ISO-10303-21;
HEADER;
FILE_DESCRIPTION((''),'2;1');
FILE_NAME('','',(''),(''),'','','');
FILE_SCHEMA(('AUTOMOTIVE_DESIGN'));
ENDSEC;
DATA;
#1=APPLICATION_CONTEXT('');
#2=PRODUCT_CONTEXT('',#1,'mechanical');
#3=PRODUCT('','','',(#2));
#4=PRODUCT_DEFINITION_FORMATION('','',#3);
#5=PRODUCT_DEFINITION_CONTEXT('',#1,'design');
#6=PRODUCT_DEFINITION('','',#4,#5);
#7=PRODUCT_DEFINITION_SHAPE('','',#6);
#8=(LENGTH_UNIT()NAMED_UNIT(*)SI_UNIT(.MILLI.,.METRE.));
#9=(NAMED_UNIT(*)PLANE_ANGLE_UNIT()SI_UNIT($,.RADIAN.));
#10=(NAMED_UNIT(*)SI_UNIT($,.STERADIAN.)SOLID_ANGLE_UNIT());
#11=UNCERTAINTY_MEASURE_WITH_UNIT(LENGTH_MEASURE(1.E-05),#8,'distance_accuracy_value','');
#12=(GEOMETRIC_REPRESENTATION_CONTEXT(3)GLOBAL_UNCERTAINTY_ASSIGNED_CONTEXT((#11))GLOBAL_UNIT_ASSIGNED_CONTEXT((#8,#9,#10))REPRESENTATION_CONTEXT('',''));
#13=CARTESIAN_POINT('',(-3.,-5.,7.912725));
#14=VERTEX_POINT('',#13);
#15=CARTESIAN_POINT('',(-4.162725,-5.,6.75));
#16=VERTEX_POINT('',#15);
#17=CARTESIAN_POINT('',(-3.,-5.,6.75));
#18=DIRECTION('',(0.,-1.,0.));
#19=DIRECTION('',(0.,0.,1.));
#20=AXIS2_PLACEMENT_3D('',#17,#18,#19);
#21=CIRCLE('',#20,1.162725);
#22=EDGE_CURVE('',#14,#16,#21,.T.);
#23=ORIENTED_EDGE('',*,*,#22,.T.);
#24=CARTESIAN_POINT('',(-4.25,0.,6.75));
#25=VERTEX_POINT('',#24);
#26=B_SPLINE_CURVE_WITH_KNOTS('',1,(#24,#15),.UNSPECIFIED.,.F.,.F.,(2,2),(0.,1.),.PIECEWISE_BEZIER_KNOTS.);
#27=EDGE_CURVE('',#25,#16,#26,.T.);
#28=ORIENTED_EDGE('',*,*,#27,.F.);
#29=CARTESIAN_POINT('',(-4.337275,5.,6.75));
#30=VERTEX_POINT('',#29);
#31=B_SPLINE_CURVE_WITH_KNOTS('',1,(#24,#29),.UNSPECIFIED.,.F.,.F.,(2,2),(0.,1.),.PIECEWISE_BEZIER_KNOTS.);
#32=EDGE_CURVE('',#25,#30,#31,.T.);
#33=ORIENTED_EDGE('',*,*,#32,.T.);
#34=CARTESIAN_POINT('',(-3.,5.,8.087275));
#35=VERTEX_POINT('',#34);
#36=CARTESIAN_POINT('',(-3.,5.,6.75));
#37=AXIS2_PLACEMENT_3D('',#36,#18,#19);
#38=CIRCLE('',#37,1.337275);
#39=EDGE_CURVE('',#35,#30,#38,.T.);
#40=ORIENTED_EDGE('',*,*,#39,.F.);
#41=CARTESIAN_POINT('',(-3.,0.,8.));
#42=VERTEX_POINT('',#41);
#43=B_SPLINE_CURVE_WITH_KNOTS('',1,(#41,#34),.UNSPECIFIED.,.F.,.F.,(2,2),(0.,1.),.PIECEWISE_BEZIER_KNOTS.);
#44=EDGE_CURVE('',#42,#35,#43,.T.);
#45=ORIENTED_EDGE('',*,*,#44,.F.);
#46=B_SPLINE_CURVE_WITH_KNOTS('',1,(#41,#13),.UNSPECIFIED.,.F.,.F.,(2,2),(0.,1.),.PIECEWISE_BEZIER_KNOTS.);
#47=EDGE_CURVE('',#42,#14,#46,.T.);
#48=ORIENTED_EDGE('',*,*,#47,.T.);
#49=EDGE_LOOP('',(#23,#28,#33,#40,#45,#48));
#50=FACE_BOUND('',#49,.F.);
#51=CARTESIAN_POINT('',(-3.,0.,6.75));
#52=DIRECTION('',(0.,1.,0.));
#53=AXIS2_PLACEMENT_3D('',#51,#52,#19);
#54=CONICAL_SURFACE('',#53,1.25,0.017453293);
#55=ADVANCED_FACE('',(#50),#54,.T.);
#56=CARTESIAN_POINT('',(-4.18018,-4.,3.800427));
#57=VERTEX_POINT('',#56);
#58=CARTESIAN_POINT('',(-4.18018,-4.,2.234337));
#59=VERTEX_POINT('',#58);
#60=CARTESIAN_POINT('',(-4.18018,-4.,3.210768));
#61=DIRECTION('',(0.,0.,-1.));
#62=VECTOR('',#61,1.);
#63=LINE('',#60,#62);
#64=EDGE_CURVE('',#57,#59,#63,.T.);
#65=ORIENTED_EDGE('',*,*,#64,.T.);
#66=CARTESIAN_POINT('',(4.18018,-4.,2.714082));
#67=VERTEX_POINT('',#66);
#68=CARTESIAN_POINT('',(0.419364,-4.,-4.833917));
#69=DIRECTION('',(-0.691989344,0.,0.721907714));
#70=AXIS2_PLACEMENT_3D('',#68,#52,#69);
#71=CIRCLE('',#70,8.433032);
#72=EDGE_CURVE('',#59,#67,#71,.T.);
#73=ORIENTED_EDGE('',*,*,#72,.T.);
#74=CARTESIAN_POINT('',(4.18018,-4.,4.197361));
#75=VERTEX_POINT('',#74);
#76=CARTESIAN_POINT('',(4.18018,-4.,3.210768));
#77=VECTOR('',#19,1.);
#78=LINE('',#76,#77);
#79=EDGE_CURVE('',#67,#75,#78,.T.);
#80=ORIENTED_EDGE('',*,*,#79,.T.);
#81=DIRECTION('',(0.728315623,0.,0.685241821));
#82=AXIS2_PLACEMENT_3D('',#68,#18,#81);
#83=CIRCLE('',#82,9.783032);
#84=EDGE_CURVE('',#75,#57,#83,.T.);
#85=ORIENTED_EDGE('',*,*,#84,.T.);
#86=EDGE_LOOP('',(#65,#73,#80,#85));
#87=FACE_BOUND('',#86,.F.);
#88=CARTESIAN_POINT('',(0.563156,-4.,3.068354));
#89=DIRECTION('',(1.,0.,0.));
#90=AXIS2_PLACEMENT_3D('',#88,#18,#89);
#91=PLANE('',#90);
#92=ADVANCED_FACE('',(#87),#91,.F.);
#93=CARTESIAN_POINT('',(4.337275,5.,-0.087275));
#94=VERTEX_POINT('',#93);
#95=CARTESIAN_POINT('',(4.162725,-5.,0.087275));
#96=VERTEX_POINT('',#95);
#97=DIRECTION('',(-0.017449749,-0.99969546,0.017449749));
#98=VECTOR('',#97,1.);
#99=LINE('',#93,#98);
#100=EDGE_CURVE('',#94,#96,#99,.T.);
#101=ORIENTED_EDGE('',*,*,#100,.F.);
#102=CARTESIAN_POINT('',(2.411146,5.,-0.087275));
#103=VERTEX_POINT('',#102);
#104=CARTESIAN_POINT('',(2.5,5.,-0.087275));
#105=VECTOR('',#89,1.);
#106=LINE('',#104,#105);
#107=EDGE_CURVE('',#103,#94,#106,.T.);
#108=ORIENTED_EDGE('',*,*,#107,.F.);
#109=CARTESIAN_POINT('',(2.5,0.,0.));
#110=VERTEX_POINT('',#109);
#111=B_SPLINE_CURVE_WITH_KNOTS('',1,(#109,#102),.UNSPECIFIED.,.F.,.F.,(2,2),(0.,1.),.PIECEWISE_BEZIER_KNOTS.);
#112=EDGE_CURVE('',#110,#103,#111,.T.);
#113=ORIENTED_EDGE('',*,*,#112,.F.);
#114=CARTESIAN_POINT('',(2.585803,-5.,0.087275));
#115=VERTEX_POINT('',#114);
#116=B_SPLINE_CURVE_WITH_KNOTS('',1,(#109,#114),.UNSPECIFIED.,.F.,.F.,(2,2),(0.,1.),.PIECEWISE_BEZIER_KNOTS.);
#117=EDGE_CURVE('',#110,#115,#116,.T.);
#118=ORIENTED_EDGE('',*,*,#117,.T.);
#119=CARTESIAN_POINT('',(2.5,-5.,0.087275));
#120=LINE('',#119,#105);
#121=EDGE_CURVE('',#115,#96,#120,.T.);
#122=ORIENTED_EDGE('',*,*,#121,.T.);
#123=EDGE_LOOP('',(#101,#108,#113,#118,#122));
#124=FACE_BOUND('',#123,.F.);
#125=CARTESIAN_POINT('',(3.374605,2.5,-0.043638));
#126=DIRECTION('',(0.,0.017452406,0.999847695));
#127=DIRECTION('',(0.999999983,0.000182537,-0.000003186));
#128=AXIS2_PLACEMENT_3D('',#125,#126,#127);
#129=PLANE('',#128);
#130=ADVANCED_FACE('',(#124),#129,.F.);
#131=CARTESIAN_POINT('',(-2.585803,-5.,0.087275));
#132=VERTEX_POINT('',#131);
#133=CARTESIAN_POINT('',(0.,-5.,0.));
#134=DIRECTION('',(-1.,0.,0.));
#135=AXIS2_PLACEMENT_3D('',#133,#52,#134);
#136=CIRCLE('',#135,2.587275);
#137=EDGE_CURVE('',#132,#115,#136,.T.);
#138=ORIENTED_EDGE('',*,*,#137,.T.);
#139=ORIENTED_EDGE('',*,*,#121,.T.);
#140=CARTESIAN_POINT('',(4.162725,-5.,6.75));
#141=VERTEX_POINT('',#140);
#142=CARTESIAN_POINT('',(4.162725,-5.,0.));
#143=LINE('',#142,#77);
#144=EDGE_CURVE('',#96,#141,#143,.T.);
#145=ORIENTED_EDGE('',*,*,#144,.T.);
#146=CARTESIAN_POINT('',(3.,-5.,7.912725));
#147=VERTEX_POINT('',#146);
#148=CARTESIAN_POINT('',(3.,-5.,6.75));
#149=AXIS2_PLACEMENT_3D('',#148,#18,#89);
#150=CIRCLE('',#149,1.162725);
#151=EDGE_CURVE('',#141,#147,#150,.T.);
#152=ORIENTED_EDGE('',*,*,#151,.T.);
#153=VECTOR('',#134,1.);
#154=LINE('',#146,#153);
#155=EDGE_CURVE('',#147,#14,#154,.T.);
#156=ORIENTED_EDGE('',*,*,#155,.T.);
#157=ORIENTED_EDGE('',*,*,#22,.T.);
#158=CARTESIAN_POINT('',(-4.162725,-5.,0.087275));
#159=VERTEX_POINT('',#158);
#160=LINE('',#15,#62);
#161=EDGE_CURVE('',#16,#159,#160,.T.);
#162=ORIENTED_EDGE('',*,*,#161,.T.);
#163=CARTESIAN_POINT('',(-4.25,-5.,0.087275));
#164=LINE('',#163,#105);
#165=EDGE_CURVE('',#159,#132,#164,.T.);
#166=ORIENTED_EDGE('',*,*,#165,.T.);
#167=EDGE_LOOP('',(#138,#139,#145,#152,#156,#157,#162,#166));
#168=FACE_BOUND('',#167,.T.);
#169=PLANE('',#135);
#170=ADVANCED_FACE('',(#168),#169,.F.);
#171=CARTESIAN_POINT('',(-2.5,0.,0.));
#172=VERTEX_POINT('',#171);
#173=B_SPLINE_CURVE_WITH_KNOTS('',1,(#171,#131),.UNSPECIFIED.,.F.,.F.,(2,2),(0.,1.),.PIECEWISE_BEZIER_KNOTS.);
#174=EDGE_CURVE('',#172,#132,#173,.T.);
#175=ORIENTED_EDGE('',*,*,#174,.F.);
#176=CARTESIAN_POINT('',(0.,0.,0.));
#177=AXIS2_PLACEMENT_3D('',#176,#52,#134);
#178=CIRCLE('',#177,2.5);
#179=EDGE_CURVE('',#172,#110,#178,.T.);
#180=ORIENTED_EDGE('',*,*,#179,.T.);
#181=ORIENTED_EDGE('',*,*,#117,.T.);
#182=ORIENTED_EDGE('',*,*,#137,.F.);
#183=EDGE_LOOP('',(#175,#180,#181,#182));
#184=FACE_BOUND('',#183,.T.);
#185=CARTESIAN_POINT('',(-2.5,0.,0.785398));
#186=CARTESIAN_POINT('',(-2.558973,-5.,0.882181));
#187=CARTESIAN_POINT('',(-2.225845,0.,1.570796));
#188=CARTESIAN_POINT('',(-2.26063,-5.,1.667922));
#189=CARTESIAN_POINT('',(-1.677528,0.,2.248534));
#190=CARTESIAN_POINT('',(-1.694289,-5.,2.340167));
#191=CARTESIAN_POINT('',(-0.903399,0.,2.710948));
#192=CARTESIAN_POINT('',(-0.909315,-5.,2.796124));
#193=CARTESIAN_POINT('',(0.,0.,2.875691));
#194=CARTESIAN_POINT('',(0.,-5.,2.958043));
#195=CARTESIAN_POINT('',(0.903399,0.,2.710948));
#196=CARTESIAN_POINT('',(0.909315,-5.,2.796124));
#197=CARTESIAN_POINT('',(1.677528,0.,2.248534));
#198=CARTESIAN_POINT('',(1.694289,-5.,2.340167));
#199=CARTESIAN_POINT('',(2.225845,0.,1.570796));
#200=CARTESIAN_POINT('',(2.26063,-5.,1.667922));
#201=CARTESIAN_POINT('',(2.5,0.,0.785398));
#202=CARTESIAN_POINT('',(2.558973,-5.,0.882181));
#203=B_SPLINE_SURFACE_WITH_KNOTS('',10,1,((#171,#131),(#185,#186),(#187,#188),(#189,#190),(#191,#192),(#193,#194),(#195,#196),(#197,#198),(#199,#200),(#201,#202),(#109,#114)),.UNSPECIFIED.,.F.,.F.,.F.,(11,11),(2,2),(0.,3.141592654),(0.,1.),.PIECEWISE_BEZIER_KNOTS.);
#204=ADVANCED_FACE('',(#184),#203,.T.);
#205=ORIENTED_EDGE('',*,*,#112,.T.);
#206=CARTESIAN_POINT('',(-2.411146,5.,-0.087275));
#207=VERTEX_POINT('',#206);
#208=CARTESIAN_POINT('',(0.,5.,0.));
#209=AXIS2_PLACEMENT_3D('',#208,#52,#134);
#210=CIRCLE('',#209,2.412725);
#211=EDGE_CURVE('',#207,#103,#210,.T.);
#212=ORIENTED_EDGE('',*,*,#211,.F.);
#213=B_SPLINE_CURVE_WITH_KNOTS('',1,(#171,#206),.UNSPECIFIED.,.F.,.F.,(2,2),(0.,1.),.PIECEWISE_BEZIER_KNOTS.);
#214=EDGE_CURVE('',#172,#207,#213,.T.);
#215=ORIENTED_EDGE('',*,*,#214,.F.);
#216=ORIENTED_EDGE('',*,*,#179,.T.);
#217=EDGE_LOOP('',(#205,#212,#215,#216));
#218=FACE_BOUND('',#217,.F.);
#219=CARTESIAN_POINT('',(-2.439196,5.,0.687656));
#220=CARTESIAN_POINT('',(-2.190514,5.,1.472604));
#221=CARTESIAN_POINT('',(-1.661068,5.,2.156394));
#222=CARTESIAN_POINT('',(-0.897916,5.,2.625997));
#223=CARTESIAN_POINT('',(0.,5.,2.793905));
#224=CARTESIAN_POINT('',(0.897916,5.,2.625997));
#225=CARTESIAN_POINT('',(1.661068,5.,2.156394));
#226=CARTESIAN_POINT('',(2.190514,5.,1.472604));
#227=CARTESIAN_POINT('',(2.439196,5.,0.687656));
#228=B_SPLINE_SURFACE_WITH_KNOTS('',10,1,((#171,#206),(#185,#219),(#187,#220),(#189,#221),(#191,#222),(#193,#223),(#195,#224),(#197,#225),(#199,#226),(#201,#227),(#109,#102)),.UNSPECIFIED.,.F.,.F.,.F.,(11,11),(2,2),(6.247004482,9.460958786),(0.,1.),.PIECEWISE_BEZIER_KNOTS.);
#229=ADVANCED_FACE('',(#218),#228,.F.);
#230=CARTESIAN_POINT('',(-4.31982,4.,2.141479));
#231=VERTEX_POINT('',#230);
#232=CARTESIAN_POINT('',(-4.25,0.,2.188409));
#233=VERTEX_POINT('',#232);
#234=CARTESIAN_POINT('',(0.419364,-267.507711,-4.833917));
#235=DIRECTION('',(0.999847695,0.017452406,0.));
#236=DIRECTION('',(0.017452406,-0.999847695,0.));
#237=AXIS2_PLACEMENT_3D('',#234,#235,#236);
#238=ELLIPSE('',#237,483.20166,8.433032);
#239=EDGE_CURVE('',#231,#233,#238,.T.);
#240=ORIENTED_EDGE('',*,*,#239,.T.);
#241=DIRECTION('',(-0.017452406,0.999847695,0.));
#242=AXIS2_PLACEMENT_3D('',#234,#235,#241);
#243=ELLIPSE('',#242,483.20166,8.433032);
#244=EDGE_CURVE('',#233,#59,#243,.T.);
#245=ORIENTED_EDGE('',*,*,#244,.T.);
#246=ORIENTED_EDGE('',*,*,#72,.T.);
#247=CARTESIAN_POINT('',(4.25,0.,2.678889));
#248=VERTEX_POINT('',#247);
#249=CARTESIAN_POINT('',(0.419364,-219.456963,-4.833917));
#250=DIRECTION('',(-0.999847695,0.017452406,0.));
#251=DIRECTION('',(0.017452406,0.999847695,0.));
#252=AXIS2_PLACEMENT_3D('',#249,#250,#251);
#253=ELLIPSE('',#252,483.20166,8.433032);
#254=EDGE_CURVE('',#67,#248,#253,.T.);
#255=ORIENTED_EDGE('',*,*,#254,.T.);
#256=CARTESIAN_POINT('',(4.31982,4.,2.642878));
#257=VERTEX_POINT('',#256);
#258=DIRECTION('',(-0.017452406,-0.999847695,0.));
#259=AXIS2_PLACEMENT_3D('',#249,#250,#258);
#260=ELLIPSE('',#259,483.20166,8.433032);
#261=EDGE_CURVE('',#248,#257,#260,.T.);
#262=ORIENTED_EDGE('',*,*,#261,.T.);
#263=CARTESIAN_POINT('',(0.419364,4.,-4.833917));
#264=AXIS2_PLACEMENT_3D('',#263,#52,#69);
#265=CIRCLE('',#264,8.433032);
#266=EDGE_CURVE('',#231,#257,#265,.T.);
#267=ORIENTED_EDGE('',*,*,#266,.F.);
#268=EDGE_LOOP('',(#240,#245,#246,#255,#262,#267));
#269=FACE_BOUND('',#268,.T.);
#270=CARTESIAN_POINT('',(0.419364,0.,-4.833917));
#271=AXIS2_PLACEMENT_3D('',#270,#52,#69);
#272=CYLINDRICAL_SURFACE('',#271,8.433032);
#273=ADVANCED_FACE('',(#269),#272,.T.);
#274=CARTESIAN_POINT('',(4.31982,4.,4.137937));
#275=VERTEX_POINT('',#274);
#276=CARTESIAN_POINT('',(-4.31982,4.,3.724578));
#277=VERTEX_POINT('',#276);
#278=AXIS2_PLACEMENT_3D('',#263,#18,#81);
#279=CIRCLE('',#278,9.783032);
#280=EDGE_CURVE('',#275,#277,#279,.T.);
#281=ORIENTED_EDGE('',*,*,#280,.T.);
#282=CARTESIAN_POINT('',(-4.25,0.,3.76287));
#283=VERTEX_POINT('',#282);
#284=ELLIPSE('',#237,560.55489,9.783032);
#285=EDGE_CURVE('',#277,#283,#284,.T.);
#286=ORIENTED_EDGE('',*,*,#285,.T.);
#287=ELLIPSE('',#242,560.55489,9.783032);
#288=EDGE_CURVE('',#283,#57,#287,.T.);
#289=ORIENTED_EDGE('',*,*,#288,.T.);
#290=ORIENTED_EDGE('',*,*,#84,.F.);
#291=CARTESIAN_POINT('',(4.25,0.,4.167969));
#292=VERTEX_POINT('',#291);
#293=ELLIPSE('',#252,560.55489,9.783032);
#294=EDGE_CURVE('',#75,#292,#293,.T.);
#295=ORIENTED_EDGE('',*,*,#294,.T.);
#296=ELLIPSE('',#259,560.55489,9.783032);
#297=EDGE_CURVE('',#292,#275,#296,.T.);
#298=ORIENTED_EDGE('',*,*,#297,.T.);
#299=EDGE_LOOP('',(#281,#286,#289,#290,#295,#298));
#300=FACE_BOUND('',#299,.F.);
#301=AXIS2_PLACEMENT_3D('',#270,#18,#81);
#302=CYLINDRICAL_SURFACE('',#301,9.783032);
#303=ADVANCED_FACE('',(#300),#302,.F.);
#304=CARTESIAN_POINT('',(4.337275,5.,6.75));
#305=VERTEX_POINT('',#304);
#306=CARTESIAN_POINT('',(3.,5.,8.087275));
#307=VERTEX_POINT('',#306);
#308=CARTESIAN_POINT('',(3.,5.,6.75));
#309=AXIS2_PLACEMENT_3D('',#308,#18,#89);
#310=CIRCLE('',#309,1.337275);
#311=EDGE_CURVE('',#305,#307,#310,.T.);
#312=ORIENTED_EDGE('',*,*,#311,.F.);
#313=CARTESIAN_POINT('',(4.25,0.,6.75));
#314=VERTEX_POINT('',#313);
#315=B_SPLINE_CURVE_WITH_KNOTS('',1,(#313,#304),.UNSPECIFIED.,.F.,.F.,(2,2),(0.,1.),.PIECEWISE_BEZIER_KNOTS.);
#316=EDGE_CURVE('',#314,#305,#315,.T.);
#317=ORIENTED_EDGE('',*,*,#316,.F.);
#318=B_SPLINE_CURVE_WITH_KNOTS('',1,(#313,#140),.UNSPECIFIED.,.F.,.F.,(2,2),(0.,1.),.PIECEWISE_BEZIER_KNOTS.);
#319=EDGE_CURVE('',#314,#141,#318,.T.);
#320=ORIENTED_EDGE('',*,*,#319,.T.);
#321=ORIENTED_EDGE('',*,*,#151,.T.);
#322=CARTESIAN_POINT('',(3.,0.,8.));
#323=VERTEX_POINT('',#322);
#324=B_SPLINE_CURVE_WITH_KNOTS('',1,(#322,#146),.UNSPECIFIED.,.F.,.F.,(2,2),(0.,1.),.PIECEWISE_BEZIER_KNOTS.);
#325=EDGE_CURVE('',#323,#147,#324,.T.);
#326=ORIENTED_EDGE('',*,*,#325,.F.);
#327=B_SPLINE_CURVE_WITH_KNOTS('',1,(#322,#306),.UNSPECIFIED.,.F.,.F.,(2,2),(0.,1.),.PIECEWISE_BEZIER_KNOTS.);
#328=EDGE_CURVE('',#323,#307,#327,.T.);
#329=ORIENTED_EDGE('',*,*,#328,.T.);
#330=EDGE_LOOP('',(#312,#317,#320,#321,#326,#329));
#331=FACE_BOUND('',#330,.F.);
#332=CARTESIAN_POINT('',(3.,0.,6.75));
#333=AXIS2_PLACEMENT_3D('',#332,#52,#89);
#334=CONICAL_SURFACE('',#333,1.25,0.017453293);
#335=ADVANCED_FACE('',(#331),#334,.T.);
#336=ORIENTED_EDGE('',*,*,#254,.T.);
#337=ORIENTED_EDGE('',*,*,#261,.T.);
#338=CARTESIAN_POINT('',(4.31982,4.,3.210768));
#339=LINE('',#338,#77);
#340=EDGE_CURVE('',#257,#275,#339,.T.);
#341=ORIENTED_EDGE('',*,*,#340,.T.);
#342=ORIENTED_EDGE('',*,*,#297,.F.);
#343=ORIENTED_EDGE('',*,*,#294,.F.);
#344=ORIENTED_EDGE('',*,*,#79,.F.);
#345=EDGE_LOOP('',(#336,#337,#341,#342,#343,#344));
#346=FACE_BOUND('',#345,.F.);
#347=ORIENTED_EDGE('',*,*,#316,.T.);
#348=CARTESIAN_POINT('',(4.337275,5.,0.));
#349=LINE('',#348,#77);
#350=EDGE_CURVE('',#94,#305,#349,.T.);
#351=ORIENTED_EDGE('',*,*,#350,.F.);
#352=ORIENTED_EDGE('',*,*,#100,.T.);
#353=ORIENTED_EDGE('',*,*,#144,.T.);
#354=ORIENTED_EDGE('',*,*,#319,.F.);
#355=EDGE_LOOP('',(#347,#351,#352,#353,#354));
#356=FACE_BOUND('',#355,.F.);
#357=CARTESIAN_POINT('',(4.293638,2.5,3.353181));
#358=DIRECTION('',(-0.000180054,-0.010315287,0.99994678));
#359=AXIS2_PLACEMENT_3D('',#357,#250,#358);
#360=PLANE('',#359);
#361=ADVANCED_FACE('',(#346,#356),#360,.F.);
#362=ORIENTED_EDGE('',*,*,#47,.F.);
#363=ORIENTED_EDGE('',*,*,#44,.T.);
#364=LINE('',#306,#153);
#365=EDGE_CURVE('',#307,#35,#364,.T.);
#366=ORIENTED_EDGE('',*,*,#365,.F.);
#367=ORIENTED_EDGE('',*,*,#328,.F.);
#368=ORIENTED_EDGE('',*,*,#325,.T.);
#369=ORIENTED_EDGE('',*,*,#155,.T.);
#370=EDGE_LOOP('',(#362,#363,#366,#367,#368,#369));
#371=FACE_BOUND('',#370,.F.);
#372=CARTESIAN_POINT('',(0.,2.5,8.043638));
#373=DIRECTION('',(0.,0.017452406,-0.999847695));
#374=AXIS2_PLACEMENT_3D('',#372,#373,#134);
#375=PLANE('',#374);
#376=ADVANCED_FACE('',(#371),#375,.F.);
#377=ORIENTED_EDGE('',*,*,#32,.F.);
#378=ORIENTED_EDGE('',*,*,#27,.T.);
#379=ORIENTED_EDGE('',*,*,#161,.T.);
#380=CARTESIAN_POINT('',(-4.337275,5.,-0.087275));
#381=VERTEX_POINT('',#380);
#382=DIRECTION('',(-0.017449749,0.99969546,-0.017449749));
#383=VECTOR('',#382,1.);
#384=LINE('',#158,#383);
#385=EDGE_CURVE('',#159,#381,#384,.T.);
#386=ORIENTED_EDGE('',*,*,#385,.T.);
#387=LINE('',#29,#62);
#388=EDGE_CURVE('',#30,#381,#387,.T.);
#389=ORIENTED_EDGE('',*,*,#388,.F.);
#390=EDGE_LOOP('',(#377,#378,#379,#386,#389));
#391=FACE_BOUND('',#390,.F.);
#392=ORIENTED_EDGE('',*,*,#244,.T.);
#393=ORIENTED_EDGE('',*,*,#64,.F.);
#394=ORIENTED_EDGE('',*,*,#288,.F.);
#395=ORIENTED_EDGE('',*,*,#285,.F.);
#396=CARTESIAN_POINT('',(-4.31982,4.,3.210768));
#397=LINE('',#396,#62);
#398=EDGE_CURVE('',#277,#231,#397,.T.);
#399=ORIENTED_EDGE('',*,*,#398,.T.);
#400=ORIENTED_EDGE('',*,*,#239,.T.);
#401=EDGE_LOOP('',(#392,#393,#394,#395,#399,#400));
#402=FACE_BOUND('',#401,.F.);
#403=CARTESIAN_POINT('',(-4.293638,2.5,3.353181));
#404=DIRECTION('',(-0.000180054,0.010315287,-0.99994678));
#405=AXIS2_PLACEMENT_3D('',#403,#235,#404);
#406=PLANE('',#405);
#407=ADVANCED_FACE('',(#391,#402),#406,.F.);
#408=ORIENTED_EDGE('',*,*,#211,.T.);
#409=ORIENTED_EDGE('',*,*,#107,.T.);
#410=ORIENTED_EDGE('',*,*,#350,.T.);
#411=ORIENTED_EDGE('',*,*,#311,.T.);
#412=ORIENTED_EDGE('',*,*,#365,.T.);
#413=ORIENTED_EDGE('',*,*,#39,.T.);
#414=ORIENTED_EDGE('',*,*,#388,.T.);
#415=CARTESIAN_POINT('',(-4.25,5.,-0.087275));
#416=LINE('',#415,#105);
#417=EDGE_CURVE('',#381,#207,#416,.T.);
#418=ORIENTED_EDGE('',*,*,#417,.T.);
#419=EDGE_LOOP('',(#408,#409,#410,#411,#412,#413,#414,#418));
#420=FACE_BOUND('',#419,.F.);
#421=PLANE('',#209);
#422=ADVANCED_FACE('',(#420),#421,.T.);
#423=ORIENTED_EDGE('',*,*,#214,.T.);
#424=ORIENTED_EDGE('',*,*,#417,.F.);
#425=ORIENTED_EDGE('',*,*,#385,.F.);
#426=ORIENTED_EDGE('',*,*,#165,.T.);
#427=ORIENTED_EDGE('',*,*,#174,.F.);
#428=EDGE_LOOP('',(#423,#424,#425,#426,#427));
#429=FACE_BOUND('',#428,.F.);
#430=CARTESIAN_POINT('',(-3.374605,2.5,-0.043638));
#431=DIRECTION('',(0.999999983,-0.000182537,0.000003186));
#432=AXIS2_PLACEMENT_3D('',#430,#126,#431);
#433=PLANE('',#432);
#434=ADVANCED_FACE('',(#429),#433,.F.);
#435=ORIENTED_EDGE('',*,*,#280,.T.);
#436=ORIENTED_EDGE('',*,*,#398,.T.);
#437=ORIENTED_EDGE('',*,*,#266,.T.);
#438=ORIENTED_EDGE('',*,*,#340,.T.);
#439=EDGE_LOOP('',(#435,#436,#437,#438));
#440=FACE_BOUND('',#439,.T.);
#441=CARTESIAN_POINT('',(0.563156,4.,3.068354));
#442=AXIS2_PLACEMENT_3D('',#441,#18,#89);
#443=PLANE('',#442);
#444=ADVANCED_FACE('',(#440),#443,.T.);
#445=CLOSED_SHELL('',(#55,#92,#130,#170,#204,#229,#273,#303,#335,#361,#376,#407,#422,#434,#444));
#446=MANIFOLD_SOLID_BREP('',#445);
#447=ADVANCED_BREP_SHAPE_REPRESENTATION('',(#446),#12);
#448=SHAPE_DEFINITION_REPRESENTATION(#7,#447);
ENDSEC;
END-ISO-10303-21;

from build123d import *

# Parameters (mm, degrees)
F1_DEPTH      = 5
F1_TAPER      = 1
F1_DEPTH_BACK = 5
F1_TAPER_BACK = -1
F3_DEPTH      = 4
F3_DEPTH_BACK = 4


with BuildPart() as f1:
    # F0 (on Front) → F1 (new body, two sides)
    with BuildSketch(Plane.XZ) as f1_sk:
        with BuildLine():
            Line((-4.25, 0), (-2.5, 0))
            ThreePointArc((-2.5, 0), (0, 2.5), (2.5, 0))
            Line((2.5, 0), (4.25, 0))
            Line((4.25, 0), (4.25, 6.75))
            ThreePointArc((4.25, 6.75), (3.8838834765, 7.6338834765), (3, 8))
            Line((3, 8), (-3, 8))
            ThreePointArc((-3, 8), (-3.8838834765, 7.6338834765), (-4.25, 6.75))
            Line((-4.25, 6.75), (-4.25, 0))
        make_face()
    extrude(amount=F1_DEPTH, taper=F1_TAPER)
    extrude(f1_sk.sketch, amount=-F1_DEPTH_BACK, taper=F1_TAPER_BACK)

    # F2 (on Front) → F3 (cut, two sides)
    with BuildSketch(Plane.XZ) as f3_sk:
        with BuildLine():
            Line((6.4694641293, 1.040801663), (7.544499329, 1.8698255615))
            ThreePointArc((7.544499329, 1.8698255615), (0.598902995, 4.9474672346), (-6.4549577741, 2.1267873604))
            Line((-6.4549577741, 2.1267873604), (-5.4162036647, 1.2539537409))
            ThreePointArc((-5.4162036647, 1.2539537409), (0.5705742402, 3.5977590678), (6.4694641293, 1.040801663))
        make_face()
    extrude(amount=-F3_DEPTH, mode=Mode.SUBTRACT)
    extrude(f3_sk.sketch, amount=F3_DEPTH_BACK, mode=Mode.SUBTRACT)


solid = f1.part
